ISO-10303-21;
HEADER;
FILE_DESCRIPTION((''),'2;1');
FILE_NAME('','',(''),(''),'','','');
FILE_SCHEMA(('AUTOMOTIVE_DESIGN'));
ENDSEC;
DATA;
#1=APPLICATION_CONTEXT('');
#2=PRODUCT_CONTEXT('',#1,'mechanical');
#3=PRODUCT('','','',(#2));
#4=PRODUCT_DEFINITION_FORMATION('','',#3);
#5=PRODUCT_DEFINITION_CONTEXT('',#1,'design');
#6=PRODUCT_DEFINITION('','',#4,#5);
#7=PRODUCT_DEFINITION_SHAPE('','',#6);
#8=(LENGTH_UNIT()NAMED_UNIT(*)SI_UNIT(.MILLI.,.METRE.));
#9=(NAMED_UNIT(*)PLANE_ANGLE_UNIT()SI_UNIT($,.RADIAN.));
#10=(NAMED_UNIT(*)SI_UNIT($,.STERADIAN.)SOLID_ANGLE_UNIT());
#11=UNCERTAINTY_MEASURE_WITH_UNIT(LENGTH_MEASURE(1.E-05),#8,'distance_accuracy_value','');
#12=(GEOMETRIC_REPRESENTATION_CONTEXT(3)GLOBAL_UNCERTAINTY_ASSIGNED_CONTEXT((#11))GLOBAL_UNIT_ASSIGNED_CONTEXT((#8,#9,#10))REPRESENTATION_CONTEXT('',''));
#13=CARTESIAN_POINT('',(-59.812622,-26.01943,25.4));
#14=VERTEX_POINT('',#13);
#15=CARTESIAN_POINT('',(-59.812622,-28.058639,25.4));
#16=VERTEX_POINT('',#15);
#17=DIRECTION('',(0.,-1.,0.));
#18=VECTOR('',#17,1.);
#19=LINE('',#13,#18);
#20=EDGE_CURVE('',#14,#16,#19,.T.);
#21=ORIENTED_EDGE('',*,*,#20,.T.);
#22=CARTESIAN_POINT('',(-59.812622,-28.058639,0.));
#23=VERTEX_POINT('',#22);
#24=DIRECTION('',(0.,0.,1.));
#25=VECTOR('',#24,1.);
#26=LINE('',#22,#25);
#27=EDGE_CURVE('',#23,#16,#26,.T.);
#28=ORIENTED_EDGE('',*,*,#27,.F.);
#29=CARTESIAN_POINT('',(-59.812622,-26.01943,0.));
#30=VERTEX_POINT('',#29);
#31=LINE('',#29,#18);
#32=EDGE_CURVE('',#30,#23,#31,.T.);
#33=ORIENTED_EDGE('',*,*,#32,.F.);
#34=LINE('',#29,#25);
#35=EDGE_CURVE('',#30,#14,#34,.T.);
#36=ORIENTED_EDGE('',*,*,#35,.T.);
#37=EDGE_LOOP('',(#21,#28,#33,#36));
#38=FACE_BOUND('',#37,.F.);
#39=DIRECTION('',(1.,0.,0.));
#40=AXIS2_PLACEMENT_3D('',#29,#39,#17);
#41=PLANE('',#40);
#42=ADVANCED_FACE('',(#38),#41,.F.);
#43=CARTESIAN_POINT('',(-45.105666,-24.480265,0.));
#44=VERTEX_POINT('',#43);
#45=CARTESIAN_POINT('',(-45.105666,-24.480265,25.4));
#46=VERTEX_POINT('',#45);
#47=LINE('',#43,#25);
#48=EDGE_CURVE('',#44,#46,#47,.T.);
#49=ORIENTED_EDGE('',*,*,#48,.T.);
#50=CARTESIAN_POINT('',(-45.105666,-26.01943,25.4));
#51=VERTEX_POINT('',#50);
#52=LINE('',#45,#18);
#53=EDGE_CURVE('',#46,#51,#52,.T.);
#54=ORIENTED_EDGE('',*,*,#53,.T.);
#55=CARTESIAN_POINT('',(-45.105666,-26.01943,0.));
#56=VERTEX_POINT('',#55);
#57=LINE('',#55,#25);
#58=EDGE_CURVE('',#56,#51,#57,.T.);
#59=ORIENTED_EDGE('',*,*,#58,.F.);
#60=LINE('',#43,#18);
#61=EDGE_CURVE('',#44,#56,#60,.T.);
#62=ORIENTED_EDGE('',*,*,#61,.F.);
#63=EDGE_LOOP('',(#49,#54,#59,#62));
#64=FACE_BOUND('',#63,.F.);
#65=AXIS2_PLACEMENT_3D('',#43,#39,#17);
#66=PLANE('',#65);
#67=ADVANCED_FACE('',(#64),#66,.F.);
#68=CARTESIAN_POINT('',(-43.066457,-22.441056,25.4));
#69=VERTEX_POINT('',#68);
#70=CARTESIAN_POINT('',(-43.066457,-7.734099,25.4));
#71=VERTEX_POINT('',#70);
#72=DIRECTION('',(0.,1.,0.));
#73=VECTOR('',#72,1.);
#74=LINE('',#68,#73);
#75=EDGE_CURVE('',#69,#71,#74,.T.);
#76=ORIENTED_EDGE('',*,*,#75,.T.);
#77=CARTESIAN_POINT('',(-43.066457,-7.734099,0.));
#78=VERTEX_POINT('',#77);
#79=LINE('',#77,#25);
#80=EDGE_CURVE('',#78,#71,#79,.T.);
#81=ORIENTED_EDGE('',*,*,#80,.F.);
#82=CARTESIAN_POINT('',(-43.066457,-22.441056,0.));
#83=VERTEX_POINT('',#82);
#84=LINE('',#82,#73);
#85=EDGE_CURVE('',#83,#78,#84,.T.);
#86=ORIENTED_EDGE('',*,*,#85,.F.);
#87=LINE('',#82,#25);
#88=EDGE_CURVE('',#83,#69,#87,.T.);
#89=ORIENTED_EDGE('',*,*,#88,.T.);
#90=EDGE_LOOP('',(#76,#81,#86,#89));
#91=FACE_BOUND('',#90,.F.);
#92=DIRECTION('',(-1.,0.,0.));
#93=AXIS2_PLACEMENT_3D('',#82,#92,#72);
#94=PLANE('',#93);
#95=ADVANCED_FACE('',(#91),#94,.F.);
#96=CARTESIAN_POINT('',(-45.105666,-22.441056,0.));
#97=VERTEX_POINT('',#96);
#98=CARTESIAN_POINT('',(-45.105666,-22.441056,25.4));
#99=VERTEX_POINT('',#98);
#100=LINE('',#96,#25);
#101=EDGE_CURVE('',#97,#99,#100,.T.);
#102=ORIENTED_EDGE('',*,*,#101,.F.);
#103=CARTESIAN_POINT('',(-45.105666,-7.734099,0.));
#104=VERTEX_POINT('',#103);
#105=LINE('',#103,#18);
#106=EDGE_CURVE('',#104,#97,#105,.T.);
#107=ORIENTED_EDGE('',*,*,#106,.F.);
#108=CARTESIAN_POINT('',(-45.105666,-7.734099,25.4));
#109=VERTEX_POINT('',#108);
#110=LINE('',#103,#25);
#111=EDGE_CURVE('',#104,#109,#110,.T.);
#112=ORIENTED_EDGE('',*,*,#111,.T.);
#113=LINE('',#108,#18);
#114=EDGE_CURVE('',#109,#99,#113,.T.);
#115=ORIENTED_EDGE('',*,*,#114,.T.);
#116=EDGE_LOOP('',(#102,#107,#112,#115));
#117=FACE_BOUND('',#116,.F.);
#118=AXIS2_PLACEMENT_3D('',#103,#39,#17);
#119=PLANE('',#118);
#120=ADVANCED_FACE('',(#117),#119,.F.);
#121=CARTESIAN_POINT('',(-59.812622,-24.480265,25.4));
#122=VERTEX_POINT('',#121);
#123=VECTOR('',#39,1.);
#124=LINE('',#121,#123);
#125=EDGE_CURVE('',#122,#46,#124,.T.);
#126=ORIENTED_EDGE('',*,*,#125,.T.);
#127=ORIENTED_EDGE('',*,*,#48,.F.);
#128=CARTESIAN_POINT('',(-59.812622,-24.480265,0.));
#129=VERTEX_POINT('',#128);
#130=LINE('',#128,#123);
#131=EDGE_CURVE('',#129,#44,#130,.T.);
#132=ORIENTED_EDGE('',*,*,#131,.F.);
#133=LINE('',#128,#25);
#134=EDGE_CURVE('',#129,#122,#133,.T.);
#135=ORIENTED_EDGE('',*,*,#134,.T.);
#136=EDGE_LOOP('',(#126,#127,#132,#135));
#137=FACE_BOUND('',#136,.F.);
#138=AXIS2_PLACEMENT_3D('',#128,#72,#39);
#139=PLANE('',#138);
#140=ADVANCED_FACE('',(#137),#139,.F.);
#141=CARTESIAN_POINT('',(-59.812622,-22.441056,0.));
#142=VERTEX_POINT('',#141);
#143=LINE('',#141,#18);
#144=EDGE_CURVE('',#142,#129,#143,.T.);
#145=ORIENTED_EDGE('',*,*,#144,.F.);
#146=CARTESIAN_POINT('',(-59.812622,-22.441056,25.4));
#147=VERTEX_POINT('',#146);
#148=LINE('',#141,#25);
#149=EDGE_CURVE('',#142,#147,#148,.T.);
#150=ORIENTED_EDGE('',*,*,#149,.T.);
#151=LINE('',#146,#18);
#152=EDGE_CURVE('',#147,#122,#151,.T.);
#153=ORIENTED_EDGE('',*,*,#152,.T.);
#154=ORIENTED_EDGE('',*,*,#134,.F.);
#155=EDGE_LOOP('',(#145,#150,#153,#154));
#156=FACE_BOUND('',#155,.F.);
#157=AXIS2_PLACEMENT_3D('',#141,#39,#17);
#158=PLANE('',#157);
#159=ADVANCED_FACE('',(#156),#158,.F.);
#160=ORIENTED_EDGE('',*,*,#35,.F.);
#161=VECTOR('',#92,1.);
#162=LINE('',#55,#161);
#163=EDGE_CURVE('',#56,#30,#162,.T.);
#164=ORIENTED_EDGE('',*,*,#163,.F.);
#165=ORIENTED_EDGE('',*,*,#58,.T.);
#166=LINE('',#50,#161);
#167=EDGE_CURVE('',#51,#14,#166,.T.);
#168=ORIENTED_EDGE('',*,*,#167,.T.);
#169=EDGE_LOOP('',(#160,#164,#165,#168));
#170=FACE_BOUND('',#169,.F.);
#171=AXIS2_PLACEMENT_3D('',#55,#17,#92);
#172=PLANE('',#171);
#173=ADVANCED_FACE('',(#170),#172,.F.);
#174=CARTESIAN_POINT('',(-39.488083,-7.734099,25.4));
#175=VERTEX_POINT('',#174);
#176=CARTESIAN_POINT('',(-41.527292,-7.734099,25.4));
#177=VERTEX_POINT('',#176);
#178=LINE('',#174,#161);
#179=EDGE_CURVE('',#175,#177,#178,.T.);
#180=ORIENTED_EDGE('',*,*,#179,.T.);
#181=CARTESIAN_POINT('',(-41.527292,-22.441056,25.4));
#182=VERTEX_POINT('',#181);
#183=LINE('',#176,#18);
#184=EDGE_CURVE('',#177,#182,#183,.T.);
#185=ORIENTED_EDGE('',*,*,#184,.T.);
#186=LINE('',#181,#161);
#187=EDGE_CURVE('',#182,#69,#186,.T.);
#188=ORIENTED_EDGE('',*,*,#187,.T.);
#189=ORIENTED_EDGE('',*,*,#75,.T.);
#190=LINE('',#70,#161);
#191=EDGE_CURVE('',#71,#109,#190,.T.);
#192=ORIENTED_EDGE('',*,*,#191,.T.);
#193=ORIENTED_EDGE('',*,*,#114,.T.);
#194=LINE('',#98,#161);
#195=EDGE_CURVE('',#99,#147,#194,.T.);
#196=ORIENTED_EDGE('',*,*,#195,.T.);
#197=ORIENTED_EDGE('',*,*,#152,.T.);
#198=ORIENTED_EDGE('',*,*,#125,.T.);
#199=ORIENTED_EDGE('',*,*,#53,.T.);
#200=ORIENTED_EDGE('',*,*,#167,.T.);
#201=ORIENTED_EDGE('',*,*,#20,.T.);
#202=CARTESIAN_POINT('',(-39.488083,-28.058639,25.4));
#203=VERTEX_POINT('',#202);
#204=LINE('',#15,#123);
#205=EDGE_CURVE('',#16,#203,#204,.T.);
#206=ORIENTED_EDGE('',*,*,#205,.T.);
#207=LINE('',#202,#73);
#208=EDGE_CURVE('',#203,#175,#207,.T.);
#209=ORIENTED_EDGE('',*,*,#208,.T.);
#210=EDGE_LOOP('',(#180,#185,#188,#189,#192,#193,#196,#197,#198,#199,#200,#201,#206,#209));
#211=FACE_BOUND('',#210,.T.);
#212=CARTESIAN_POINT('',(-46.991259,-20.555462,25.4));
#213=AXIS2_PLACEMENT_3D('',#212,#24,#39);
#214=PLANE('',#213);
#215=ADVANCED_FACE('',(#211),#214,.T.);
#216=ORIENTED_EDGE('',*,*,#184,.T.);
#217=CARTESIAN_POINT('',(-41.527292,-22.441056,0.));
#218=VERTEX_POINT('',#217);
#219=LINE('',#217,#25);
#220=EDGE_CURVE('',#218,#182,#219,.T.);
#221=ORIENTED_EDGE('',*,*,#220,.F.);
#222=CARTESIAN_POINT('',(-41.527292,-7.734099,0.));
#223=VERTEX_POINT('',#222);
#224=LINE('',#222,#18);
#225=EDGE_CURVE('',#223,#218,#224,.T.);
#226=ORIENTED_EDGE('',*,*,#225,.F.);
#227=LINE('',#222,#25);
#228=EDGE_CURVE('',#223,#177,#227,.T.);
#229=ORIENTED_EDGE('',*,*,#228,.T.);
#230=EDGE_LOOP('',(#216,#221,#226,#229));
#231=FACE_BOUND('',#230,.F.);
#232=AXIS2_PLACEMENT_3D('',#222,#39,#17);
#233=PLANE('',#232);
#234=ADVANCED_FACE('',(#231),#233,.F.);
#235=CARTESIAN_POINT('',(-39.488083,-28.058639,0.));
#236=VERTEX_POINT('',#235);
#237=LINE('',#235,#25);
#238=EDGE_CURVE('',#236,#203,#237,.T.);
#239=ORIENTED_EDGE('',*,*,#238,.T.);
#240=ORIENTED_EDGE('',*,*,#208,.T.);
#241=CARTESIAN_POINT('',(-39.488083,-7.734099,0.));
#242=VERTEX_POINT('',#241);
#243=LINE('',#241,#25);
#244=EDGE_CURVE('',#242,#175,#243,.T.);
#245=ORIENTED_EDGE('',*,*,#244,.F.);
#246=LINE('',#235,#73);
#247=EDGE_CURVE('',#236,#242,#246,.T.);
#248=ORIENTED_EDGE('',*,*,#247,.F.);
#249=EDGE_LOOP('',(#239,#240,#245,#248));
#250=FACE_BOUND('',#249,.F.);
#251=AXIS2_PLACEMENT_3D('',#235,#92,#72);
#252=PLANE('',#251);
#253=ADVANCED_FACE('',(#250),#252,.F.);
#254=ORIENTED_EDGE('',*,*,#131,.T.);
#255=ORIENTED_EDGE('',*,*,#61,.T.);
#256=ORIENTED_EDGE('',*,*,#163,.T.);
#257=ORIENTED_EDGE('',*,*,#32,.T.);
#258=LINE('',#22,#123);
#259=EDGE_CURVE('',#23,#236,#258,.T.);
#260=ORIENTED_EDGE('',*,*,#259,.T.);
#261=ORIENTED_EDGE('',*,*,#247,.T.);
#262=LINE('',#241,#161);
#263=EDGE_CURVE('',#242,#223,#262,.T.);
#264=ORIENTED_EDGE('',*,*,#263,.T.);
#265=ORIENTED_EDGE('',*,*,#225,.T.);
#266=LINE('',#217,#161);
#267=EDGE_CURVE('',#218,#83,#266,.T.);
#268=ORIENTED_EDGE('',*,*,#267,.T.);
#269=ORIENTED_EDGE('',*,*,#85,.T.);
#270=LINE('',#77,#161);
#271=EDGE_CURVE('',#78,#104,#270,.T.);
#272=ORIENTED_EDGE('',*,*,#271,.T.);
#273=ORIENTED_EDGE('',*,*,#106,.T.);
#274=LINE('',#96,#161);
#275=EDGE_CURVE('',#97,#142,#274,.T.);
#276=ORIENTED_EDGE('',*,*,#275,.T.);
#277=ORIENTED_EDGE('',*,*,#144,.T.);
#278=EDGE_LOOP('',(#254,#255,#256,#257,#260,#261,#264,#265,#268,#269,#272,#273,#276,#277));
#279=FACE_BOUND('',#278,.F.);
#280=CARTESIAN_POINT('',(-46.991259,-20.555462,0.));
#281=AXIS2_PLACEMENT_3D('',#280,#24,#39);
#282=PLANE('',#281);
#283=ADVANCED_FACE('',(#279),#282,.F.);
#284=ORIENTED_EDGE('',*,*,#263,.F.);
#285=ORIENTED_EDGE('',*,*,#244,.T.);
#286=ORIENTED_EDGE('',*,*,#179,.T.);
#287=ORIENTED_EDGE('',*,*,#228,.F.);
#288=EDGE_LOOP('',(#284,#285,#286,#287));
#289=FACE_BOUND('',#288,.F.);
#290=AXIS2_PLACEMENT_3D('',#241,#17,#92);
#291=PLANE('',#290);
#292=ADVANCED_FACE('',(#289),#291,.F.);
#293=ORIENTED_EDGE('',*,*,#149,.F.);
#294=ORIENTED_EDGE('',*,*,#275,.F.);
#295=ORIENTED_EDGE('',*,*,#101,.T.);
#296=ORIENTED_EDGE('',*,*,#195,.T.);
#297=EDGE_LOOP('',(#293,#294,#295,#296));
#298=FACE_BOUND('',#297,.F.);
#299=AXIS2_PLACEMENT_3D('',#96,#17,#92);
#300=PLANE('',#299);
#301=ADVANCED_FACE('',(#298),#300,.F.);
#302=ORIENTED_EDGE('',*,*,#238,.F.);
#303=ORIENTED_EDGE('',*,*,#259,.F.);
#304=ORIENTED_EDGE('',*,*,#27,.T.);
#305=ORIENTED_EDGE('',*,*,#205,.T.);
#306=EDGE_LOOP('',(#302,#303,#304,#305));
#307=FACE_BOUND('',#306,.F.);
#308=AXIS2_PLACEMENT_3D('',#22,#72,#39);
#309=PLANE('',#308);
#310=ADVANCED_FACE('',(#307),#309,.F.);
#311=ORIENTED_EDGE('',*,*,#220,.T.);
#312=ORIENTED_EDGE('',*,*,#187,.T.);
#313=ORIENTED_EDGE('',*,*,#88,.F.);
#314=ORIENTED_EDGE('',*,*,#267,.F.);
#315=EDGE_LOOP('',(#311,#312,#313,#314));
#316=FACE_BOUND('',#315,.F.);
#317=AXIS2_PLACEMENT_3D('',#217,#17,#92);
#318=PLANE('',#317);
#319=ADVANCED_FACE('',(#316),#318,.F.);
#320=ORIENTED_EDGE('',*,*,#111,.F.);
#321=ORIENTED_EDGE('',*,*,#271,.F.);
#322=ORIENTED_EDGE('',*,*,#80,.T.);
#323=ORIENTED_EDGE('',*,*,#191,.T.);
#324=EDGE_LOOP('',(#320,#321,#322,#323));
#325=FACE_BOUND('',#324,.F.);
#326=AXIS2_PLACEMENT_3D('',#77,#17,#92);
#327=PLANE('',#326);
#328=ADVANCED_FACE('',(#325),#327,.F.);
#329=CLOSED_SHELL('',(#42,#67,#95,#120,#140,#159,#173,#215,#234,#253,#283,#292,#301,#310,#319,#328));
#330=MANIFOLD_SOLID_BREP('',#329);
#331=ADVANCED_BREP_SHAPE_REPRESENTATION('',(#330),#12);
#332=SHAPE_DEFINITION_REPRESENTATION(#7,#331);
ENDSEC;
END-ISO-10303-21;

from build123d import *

# Parameters (mm, degrees)
F1_DEPTH = 25.4


with BuildPart() as f1:
    # F0 (on Top) → F1 (new body)
    with BuildSketch(Plane.XY):
        Polygon((-59.812622, -26.01943), (-59.812622, -28.058639), (-39.488083, -28.058639), (-39.488083, -7.734099), (-41.527292, -7.734099), (-41.527292, -22.441056), (-43.066457, -22.441056), (-43.066457, -7.734099), (-45.105666, -7.734099), (-45.105666, -22.441056), (-59.812622, -22.441056), (-59.812622, -24.480265), (-45.105666, -24.480265), (-45.105666, -26.01943), align=None)
    extrude(amount=F1_DEPTH)


solid = f1.part
